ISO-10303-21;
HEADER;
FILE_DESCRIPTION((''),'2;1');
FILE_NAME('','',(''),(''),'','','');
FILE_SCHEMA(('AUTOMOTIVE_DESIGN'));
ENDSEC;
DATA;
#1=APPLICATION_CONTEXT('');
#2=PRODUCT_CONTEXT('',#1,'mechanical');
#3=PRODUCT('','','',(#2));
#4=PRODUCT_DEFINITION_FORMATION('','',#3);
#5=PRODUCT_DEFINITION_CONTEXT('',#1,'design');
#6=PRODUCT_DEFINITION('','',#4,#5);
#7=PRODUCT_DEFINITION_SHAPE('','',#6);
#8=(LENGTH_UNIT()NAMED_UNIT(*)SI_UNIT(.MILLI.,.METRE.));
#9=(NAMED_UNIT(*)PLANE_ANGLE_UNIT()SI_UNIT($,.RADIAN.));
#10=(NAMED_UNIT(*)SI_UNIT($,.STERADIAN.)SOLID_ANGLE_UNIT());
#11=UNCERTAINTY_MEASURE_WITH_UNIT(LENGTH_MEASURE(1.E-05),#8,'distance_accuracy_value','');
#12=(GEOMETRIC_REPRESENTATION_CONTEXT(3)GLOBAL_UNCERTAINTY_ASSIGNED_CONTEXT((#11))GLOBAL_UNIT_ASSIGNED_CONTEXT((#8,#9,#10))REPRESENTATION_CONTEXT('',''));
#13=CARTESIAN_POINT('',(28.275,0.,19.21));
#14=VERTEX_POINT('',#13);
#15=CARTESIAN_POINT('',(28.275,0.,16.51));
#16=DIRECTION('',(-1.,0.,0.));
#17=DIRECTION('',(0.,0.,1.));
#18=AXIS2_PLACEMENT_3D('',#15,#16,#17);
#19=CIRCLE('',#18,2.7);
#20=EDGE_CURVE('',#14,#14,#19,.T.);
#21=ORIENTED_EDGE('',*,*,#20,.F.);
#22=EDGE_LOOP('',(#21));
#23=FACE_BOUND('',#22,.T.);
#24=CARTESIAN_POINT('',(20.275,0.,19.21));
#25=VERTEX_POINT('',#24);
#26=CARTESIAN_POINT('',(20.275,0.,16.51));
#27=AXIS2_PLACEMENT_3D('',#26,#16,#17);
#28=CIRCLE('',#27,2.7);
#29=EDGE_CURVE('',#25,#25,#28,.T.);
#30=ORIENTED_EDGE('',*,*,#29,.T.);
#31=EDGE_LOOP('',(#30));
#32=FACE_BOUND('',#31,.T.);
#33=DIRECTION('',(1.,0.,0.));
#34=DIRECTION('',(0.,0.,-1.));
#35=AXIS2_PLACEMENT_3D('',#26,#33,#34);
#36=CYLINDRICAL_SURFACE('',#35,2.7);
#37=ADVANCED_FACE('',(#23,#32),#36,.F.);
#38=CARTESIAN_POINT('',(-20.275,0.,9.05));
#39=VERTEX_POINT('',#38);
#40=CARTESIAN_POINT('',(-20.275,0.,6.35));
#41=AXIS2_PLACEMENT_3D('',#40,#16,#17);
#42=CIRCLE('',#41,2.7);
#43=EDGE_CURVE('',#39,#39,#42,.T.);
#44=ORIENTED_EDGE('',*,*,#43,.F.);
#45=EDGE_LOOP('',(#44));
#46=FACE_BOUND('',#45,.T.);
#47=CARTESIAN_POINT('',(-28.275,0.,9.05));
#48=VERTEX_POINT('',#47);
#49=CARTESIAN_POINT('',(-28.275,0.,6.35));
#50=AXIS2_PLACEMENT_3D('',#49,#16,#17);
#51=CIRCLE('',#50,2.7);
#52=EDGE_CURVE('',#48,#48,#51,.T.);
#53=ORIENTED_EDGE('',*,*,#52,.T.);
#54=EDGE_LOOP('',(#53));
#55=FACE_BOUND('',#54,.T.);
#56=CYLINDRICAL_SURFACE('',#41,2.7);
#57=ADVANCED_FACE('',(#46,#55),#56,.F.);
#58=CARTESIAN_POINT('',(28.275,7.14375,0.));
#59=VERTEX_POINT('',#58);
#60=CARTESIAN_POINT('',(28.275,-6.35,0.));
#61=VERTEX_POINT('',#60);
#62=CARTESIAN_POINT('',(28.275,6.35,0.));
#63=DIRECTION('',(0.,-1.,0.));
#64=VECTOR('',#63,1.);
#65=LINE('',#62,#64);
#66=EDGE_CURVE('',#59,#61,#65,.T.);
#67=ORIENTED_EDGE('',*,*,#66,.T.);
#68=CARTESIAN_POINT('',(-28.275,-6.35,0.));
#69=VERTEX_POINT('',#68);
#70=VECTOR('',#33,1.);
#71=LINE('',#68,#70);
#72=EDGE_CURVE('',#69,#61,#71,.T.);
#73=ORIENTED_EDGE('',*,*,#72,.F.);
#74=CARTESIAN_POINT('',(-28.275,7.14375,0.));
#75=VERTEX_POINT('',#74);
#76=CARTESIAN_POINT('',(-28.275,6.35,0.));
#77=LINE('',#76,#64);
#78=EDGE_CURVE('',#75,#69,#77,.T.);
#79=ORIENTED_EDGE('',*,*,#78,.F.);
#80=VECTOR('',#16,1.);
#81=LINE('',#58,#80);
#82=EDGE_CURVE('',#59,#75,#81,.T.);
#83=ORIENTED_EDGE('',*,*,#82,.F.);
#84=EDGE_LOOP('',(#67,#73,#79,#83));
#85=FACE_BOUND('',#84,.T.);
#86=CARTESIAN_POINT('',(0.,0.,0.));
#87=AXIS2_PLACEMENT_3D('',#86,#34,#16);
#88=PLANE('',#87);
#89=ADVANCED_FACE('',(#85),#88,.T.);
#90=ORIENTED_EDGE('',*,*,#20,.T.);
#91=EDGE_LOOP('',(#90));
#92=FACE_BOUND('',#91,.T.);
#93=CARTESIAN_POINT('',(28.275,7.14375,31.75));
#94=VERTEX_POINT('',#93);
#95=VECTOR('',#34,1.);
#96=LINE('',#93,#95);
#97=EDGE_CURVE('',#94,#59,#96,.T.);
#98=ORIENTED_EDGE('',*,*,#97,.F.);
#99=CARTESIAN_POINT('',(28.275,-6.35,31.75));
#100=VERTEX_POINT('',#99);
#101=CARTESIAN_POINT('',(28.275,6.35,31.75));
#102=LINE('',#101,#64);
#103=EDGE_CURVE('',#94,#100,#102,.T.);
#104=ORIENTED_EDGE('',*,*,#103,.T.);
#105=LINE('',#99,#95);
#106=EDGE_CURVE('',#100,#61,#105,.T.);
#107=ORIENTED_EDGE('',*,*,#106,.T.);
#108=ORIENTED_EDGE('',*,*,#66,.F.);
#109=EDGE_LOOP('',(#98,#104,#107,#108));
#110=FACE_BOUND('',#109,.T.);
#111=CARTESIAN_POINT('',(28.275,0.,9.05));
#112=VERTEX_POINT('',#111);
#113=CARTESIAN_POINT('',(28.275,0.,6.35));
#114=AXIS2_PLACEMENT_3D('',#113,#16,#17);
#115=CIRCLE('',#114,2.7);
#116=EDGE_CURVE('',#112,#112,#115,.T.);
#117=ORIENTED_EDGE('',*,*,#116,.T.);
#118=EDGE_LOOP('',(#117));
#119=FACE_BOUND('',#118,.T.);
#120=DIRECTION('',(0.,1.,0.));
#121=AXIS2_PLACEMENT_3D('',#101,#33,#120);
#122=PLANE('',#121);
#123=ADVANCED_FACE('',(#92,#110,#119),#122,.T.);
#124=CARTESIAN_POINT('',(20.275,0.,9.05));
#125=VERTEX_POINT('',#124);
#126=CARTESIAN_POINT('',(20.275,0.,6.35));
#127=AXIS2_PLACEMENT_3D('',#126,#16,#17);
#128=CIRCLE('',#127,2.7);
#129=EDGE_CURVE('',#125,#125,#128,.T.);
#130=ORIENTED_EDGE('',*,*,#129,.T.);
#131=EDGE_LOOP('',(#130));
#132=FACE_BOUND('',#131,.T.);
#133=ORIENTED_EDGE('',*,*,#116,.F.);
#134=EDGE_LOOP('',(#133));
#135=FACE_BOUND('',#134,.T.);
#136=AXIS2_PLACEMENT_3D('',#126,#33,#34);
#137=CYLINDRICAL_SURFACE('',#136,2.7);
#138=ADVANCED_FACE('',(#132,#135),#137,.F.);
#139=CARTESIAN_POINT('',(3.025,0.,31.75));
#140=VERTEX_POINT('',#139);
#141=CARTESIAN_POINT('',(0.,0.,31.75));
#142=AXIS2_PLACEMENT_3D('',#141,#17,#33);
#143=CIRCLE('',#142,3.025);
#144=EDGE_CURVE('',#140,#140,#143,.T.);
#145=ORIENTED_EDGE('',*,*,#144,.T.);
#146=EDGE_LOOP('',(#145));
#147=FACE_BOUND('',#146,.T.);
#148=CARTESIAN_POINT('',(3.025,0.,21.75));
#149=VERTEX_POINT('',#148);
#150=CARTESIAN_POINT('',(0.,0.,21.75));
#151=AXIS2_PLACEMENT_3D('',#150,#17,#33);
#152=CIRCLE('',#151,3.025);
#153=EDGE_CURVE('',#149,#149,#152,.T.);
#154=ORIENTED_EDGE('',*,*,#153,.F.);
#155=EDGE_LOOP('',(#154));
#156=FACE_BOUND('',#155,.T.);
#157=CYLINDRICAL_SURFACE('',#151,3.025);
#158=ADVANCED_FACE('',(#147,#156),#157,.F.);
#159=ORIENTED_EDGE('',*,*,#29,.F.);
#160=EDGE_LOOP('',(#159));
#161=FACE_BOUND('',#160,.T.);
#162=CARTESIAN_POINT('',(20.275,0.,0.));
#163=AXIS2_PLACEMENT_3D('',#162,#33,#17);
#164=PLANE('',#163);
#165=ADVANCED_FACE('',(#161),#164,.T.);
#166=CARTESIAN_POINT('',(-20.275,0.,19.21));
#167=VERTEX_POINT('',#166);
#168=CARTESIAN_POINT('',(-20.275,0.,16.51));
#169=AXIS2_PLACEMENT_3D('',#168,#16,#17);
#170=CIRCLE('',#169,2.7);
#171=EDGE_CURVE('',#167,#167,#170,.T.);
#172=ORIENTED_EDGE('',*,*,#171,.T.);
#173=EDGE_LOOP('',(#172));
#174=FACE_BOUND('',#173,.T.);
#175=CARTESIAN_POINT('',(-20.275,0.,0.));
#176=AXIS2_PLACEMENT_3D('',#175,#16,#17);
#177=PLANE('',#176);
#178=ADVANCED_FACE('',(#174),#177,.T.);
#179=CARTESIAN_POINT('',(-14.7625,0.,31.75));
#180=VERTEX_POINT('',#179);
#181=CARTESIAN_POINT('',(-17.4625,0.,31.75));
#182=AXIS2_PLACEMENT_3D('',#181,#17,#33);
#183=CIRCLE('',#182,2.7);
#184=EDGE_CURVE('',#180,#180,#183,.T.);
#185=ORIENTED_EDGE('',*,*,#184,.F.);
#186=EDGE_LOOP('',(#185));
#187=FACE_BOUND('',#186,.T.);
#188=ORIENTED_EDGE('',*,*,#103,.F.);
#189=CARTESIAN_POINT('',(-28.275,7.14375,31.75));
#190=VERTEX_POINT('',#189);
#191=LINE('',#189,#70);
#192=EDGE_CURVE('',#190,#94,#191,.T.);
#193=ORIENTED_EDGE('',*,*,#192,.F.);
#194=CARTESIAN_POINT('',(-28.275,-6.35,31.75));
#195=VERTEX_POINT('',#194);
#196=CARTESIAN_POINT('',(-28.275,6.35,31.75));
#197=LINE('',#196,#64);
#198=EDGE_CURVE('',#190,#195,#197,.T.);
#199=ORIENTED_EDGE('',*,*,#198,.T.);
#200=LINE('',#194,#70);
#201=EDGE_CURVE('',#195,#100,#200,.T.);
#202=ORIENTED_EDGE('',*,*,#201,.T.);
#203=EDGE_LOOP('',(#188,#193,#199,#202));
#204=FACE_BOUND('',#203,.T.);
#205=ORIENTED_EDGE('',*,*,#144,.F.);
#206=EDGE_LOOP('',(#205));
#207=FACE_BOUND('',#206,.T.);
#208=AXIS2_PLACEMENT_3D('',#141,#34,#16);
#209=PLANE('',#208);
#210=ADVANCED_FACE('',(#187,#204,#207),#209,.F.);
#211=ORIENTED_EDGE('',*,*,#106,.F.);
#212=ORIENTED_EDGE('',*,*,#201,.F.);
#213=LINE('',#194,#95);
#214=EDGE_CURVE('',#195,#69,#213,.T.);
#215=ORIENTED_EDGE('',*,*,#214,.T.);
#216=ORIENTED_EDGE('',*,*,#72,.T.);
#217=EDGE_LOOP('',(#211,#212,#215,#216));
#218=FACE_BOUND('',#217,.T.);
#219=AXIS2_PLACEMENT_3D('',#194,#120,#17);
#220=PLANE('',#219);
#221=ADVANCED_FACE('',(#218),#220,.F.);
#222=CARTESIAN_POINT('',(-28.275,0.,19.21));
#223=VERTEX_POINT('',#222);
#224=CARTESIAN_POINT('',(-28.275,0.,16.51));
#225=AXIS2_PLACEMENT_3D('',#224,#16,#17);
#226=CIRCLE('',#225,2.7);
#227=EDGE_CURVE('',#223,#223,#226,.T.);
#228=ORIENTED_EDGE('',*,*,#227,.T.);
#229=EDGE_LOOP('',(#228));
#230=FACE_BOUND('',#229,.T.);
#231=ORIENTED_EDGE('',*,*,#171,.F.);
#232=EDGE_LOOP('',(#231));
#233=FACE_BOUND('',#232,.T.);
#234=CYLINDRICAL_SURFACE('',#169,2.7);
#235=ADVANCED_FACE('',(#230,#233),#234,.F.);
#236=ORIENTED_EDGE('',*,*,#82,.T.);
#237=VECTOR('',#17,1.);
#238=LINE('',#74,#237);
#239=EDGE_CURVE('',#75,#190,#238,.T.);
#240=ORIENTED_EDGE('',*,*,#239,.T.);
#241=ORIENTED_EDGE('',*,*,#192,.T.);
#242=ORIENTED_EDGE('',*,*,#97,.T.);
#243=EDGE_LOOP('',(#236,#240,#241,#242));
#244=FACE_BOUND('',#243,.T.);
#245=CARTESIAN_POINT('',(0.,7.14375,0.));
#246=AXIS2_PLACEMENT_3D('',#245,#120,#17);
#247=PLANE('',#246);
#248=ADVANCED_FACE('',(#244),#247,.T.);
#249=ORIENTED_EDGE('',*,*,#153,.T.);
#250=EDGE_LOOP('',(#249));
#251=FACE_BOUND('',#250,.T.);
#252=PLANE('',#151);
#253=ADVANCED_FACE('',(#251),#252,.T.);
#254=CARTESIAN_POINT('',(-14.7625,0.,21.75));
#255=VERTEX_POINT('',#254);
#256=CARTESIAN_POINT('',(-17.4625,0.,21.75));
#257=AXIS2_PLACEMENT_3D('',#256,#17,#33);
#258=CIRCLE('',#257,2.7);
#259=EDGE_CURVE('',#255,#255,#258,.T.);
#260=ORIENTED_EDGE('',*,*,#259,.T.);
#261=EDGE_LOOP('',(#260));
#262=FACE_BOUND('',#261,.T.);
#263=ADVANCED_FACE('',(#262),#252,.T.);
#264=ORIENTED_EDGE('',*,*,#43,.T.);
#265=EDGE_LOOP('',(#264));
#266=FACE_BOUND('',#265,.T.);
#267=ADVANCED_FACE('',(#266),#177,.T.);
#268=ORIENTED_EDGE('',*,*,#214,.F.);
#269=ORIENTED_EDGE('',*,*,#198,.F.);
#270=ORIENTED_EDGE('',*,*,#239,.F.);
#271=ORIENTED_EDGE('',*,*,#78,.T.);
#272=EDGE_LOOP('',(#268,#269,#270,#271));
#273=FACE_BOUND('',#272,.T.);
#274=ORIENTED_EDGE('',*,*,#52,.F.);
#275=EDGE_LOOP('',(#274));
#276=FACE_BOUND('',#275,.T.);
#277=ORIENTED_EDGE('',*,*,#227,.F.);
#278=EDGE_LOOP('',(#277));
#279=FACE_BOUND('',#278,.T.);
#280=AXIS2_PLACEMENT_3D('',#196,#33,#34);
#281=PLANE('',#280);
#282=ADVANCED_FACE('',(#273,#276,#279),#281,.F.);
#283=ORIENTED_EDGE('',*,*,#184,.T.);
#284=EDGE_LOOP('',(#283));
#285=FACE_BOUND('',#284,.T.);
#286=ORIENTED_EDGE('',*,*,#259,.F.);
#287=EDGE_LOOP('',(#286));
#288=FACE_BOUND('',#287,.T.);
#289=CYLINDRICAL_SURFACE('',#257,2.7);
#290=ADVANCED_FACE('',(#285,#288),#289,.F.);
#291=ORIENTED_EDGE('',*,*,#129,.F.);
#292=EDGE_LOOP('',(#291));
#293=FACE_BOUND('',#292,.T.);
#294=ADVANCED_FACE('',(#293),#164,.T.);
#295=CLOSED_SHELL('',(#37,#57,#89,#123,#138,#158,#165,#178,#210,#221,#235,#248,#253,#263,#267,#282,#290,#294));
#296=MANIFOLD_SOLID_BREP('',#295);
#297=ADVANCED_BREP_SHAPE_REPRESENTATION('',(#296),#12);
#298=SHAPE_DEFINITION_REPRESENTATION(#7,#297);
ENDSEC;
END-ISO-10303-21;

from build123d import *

# Parameters (mm, degrees)
SKETCH1_W           = 56.55
SKETCH1_H           = 12.7
BOSS_EXTRUDE1_DEPTH = 31.75
SKETCH2_R           = 2.7
SKETCH2_R_2         = 3.025
CUT_EXTRUDE1_DEPTH  = 10
CUT_EXTRUDE2_DEPTH  = 8
SKETCH4_W           = 56.55
SKETCH4_H           = 31.75
BOSS_EXTRUDE2_DEPTH = 0.79375


with BuildPart() as part:
    # Sketch1 → Boss-Extrude1 (new body)
    with BuildSketch(Plane.XY):
        Rectangle(SKETCH1_W, SKETCH1_H)
    extrude(amount=BOSS_EXTRUDE1_DEPTH)

    # Sketch2 → Cut-Extrude1 (cut)
    with BuildSketch(Plane.XY.offset(31.75)):
        with Locations((-17.4625, 0)):
            Circle(SKETCH2_R)
        Circle(SKETCH2_R_2)
    extrude(amount=-CUT_EXTRUDE1_DEPTH, mode=Mode.SUBTRACT)

    # Sketch3 → Cut-Extrude2 (cut)
    with BuildSketch(Plane.ZY.offset(28.275)):
        with BuildLine():
            ThreePointArc((3.65, 0), (6.35, -2.7), (9.05, 0))
            Line((9.05, 0), (3.65, 0))
        make_face()
        with BuildLine():
            Line((3.65, 0), (9.05, 0))
            ThreePointArc((9.05, 0), (6.35, 2.7), (3.65, 0))
        make_face()
        with BuildLine():
            ThreePointArc((13.81, 0), (16.51, -2.7), (19.21, 0))
            Line((19.21, 0), (13.81, 0))
        make_face()
        with BuildLine():
            Line((13.81, 0), (19.21, 0))
            ThreePointArc((19.21, 0), (16.51, 2.7), (13.81, 0))
        make_face()
    cut_extrude2 = extrude(amount=-CUT_EXTRUDE2_DEPTH, mode=Mode.SUBTRACT)

    # Sketch4 → Boss-Extrude2 (add)
    with BuildSketch(Plane(origin=(0, 6.35, 0), x_dir=(1, 0, 0), z_dir=(0, 1, 0))):
        with Locations((0, -15.875)):
            Rectangle(SKETCH4_W, SKETCH4_H)
    extrude(amount=BOSS_EXTRUDE2_DEPTH)

    # Mirror1: Cut-Extrude2 across plane
    add(cut_extrude2.mirror(Plane(origin=(0, 0, 0), x_dir=(0, 0, 1), z_dir=(1, 0, 0))), mode=Mode.SUBTRACT)


solid = part.part
